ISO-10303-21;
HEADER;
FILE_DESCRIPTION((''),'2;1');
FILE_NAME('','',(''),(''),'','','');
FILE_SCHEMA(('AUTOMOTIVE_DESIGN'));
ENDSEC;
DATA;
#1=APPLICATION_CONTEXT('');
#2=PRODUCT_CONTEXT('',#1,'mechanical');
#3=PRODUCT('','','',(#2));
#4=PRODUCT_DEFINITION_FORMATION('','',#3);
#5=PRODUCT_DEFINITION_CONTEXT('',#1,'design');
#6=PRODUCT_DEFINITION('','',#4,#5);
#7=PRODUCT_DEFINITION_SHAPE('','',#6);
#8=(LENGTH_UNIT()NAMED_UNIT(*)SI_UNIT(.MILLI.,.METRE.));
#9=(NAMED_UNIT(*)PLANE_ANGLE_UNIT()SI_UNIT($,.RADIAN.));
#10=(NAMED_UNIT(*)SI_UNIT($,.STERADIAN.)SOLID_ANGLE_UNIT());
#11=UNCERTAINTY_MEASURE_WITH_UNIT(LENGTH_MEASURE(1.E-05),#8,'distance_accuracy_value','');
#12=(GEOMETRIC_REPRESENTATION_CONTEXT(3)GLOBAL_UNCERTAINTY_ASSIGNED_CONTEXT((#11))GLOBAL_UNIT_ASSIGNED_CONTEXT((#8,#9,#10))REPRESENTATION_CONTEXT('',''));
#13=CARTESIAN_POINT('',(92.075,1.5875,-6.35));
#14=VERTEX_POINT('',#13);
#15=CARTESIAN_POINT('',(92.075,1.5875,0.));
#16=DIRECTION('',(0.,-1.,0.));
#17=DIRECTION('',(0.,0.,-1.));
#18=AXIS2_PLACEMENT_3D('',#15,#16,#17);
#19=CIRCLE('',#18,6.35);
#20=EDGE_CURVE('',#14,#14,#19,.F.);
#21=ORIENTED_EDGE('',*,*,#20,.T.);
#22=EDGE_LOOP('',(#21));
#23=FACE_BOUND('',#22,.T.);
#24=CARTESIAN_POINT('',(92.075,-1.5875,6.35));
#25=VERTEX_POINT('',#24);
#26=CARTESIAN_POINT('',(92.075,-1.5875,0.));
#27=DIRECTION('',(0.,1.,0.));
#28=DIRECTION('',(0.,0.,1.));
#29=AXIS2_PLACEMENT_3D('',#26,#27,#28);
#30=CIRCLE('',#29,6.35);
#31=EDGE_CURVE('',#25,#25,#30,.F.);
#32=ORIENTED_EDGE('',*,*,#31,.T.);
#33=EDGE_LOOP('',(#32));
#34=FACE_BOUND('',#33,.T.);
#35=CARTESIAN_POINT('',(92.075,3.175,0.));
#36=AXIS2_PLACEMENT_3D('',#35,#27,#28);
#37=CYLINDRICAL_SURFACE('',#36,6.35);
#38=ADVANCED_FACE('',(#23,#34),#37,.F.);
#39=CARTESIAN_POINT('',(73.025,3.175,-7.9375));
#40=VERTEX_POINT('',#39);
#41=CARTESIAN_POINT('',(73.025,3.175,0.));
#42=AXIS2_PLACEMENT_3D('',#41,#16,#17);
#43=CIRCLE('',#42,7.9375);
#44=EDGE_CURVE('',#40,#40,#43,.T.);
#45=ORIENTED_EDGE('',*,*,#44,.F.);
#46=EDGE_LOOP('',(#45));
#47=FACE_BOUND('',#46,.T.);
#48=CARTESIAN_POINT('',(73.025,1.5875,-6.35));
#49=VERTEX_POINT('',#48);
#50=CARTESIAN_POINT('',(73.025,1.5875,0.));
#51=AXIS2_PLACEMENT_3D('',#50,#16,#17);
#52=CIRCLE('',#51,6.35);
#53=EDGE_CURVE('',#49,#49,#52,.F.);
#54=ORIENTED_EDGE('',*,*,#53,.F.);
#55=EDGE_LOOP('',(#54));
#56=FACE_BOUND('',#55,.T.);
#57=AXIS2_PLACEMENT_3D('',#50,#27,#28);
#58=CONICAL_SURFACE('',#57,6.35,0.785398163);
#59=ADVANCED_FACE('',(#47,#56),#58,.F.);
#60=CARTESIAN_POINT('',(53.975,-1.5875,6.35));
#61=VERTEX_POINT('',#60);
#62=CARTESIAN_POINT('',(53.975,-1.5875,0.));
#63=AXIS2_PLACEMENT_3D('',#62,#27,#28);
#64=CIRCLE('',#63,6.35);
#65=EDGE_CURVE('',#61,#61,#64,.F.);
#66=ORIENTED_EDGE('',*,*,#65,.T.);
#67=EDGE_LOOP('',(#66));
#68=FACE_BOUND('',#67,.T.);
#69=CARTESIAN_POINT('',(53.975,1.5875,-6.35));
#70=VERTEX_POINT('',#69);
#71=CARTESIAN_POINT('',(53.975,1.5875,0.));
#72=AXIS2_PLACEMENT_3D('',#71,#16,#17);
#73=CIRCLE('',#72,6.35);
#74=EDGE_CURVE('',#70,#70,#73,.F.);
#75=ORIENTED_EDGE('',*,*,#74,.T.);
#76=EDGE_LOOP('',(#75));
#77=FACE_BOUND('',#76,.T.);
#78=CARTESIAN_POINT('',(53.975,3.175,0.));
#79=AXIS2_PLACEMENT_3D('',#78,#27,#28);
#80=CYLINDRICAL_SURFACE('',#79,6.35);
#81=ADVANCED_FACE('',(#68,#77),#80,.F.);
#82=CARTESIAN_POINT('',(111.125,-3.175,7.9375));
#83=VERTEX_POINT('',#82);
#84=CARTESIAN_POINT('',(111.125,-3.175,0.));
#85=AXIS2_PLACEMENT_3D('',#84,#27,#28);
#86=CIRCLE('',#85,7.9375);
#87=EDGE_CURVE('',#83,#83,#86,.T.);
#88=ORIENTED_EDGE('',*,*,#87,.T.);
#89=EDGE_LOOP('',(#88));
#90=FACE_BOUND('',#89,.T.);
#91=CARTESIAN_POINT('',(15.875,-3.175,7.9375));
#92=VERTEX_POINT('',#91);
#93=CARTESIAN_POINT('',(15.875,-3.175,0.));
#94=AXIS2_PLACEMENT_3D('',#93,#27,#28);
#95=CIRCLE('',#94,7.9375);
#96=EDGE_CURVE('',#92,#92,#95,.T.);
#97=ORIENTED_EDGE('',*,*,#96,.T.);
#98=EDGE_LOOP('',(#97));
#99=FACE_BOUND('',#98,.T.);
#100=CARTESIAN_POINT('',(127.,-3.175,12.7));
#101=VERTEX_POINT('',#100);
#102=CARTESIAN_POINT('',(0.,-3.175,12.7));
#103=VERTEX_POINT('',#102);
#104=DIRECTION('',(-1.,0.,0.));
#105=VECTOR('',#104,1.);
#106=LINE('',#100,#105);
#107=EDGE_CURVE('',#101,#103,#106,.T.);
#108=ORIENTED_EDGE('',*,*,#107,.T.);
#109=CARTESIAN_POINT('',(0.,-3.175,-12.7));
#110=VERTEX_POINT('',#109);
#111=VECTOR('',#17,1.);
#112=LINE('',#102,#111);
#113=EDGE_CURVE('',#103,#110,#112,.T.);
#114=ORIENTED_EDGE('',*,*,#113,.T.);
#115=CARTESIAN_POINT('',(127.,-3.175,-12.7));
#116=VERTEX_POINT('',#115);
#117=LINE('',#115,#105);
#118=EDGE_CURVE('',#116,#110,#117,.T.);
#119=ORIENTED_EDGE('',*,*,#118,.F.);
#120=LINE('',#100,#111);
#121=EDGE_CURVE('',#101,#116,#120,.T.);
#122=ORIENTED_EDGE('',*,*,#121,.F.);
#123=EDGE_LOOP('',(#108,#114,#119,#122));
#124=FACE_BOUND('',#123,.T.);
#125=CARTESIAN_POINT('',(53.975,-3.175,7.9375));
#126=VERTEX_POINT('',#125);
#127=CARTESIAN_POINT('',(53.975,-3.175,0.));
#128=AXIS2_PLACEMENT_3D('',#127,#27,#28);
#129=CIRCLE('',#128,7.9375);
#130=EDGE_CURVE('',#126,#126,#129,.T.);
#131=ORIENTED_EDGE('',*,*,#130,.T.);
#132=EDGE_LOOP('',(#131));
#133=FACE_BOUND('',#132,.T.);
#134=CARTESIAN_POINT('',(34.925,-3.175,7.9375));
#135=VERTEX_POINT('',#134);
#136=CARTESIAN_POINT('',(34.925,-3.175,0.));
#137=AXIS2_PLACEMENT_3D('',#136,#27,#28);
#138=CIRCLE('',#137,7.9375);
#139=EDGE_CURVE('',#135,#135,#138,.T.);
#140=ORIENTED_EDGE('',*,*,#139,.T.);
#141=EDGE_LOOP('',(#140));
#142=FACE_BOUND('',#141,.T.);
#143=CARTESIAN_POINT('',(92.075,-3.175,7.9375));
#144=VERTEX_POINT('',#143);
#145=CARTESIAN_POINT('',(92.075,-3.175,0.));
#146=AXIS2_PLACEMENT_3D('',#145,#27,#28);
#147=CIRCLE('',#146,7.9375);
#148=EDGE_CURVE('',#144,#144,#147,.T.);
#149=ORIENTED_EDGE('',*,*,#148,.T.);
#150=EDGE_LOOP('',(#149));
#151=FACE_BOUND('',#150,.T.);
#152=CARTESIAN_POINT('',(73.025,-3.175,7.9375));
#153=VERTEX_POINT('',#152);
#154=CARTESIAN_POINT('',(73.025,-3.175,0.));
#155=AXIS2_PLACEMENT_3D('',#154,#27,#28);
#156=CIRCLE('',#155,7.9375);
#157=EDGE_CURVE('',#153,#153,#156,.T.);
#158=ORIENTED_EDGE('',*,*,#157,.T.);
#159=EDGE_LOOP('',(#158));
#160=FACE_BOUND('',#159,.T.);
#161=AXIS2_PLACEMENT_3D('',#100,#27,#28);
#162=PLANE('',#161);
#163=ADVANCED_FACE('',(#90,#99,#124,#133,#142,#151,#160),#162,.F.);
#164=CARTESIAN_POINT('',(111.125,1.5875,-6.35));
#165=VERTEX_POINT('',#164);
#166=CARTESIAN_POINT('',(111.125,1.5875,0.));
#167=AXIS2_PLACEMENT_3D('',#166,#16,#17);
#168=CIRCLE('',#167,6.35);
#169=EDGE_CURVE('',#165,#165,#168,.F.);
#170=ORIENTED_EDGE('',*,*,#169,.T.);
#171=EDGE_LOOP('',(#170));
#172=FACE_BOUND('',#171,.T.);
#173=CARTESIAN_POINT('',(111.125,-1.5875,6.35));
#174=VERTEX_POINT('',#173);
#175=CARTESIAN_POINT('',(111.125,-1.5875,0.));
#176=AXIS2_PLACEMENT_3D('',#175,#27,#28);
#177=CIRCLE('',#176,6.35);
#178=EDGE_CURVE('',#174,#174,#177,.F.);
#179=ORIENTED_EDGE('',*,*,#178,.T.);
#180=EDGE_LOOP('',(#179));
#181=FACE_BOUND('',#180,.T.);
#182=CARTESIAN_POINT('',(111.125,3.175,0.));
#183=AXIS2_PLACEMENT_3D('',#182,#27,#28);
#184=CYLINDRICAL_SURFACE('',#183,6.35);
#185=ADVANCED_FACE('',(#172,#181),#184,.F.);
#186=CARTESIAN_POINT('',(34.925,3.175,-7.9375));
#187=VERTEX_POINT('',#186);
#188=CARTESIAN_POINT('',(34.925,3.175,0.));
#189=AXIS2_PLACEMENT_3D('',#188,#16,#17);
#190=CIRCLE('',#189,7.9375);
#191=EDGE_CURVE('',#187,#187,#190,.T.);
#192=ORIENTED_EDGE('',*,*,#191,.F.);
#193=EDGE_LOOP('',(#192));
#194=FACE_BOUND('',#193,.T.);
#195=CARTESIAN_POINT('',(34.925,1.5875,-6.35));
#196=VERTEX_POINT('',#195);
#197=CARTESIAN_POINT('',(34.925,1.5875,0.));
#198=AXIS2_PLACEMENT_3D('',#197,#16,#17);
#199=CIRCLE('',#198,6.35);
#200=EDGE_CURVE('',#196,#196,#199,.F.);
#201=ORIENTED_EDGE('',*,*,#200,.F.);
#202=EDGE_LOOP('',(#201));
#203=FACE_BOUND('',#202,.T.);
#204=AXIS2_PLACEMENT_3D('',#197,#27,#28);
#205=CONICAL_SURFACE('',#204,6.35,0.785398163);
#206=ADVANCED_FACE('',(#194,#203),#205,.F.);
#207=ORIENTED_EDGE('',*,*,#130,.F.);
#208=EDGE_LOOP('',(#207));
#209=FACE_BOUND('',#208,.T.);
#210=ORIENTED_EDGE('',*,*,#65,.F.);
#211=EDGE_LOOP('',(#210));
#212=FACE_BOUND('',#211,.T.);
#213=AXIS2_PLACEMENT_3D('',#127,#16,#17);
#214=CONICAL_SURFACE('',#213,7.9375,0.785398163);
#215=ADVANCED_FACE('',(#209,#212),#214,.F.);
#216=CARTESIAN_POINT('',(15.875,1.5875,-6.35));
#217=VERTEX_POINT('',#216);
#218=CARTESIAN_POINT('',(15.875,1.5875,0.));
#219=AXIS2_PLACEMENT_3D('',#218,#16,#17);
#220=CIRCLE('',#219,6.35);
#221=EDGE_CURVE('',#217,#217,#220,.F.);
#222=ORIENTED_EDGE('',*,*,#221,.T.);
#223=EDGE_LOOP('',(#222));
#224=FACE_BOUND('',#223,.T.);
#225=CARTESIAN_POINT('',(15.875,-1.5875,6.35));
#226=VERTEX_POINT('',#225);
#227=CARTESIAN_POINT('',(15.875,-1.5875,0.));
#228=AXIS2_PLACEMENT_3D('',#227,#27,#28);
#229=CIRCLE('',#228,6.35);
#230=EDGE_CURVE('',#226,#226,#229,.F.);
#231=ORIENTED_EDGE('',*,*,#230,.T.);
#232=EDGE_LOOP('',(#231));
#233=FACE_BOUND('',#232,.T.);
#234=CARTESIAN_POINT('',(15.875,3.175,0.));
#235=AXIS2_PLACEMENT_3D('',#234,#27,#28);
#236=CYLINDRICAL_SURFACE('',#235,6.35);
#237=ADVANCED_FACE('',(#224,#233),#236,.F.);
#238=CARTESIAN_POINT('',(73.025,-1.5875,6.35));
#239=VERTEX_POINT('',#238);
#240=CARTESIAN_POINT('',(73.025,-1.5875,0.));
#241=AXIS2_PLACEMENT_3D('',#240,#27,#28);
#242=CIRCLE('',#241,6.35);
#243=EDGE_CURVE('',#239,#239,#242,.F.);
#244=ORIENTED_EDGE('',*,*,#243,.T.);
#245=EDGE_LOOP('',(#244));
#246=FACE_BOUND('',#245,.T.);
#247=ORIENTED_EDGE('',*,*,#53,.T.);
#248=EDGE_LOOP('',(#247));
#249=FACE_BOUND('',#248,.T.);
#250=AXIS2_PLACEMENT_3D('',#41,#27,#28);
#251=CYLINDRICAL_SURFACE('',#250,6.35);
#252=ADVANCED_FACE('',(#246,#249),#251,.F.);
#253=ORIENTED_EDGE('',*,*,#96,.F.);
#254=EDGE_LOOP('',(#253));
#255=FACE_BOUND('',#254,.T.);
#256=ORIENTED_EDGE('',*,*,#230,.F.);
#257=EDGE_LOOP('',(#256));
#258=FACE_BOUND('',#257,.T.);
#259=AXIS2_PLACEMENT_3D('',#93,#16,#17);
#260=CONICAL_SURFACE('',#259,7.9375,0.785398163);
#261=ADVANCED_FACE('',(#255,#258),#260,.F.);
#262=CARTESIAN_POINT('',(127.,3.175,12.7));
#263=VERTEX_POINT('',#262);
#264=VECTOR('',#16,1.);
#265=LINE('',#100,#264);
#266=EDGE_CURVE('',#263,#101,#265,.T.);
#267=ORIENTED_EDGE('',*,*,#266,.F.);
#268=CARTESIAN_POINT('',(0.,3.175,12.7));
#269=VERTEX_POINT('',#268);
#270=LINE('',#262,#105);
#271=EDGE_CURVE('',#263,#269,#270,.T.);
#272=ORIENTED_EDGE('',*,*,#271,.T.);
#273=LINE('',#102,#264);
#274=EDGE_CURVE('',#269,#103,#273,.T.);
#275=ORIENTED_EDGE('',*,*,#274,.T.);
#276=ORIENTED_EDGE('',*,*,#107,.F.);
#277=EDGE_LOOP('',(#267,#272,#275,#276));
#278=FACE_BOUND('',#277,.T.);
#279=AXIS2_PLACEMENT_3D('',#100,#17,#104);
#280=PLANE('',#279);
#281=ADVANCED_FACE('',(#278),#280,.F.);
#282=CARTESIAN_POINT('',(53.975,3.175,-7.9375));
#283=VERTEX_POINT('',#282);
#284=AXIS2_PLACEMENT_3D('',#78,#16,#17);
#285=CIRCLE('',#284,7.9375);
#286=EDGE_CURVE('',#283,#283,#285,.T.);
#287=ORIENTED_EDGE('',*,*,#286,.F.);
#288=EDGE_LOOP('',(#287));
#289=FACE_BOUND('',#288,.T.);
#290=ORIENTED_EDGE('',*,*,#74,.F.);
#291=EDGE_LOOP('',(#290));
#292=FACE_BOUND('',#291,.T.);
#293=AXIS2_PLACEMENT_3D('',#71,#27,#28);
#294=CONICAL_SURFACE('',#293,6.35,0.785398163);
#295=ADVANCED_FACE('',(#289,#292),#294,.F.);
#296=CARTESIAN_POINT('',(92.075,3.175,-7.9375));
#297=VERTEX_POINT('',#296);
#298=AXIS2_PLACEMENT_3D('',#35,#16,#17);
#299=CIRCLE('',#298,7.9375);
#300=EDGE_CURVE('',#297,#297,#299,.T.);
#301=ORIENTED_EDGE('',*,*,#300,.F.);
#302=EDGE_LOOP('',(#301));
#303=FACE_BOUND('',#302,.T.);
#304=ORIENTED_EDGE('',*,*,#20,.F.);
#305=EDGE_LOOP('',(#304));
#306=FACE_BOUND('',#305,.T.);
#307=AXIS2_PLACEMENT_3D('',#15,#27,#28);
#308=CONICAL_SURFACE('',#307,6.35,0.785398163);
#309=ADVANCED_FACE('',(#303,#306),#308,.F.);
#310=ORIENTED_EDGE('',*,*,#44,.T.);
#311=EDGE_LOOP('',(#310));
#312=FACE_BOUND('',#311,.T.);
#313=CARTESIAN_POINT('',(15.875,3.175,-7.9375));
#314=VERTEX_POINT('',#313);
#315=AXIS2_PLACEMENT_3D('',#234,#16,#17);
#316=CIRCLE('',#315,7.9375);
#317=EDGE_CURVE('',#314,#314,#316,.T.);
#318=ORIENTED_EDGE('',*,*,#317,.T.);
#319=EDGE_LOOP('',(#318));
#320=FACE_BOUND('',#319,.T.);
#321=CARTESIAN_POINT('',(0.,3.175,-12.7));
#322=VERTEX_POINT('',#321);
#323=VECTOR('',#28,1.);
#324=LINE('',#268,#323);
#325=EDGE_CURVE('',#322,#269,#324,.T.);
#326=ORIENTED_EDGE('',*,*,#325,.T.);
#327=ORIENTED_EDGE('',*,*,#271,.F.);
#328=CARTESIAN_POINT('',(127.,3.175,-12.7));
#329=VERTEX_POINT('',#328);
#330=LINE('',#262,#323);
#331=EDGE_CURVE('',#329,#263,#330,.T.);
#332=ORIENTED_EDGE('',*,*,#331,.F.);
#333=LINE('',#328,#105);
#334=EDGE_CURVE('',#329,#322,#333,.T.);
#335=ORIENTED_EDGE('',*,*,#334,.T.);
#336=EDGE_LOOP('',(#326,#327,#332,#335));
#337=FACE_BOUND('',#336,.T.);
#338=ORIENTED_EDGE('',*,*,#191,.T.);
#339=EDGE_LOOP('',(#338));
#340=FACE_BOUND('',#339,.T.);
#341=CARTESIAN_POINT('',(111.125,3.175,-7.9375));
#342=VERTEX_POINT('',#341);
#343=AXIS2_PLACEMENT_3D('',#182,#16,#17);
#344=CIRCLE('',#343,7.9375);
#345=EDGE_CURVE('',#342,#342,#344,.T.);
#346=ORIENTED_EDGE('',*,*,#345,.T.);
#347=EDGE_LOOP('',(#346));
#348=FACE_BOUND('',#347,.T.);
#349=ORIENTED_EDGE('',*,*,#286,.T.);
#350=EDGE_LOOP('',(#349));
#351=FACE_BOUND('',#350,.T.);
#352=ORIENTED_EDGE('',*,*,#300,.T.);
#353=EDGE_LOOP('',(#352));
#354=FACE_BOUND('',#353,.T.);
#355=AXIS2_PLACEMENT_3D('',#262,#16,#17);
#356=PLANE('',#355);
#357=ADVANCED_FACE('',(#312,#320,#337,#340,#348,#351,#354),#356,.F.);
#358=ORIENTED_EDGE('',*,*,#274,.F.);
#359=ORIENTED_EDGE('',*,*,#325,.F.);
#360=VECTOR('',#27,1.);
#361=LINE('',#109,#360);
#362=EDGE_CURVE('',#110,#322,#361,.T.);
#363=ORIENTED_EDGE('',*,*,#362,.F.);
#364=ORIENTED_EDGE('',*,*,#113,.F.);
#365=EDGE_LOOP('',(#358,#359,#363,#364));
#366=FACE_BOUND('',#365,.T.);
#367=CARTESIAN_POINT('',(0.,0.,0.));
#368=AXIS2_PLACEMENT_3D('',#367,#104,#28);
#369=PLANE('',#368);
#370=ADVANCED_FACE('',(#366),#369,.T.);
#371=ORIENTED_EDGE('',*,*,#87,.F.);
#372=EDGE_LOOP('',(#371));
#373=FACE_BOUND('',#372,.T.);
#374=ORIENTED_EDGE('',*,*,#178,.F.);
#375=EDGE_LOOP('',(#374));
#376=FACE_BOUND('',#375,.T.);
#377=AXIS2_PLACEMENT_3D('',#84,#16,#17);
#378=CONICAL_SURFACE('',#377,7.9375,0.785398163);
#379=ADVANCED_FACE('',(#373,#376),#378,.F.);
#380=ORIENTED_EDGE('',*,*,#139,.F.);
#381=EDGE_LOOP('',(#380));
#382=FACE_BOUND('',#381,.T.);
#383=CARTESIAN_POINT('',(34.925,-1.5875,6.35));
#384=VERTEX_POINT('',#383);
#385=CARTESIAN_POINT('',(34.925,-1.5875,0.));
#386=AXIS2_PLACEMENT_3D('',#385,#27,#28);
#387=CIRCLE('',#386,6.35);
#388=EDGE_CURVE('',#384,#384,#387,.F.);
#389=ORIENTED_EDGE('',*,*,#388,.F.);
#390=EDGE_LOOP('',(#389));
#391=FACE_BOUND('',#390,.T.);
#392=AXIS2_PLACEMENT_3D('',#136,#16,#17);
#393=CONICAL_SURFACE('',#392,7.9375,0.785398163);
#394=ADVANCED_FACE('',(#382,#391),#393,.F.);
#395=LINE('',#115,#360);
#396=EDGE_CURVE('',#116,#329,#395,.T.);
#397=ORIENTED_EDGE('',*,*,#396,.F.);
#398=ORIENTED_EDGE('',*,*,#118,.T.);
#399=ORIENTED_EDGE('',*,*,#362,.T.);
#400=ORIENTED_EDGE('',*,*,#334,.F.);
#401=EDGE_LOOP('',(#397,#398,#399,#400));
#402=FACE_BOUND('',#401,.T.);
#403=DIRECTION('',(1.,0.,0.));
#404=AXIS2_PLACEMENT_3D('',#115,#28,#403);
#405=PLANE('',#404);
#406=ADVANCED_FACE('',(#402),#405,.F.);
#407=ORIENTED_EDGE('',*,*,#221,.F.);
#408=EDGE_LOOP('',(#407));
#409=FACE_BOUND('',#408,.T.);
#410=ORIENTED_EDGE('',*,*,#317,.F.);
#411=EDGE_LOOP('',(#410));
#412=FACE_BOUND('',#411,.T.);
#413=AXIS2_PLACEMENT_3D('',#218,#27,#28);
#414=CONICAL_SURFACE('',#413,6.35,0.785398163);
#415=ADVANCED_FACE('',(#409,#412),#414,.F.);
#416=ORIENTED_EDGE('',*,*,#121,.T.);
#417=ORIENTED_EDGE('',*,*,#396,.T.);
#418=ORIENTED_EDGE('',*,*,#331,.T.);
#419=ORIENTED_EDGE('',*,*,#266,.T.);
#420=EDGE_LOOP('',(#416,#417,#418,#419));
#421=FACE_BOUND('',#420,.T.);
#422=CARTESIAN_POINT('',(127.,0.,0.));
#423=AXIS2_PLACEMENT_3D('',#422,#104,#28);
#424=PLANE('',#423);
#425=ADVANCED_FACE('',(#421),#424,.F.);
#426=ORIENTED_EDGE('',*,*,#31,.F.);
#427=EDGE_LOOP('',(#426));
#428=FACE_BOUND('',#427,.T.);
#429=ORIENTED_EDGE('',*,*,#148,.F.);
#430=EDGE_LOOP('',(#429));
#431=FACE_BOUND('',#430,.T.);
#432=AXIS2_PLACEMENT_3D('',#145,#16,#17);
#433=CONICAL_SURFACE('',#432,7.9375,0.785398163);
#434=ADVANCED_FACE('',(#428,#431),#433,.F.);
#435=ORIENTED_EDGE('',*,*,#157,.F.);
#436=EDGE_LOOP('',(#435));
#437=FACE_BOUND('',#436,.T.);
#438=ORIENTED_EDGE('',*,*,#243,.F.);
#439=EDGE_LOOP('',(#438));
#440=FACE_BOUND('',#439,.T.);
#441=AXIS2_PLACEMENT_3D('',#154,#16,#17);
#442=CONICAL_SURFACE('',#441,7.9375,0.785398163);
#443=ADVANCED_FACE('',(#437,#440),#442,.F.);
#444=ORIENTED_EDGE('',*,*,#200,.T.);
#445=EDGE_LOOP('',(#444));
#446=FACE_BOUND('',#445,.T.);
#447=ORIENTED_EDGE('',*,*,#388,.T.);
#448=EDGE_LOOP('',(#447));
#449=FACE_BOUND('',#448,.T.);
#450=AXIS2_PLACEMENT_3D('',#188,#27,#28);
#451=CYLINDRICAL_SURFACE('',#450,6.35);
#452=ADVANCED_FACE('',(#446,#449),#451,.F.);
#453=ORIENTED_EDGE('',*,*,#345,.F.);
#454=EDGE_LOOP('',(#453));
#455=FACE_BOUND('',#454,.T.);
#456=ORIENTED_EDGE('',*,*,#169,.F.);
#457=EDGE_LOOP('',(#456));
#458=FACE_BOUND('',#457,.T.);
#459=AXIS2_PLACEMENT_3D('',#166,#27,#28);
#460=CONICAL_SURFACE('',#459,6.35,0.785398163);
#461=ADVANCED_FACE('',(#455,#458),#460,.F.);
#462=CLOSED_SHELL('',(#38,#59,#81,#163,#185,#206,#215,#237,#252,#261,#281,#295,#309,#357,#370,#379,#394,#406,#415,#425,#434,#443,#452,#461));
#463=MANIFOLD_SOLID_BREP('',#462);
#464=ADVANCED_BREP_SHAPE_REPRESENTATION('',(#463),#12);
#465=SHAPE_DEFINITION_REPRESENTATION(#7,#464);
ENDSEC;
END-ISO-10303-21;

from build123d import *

# Parameters (mm, degrees)
CROQUIS2_W                = 25.4
CROQUIS2_H                = 6.35
SALIENTE_EXTRUIR1_DEPTH   = 127
TALADRO1_D                = 12.7
CHAFL_N1_SIZE             = 1.5875
MATRIZL1_COUNT            = 6
MATRIZL1_PITCH            = 19.05
CHAFL_N1_OF_MATRIZL1_SIZE = 1.5875


with BuildPart() as part:
    # Croquis2 → Saliente-Extruir1 (new body)
    with BuildSketch(Plane(origin=(0, 0, 0), x_dir=(0, 0, -1), z_dir=(1, 0, 0))):
        Rectangle(CROQUIS2_W, CROQUIS2_H)
    extrude(amount=SALIENTE_EXTRUIR1_DEPTH)

    # Taladro1 (through all)
    with Locations(Plane(origin=(0, 3.175, 0), x_dir=(1, 0, 0), z_dir=(0, 1, 0))):
        with Locations((15.875, 0)):
            taladro1 = Hole(TALADRO1_D / 2)

    # Chaflán1
    chafl_n1_edges = [part.edges().sort_by_distance(p)[0] for p in [
        (22.225, 3.175, 0),
        (22.225, -3.175, 0),
    ]]
    chamfer(chafl_n1_edges, length=CHAFL_N1_SIZE)

    # MatrizL1: Taladro1 ×6
    with Locations(*[(i * MATRIZL1_PITCH, 0, 0) for i in range(1, MATRIZL1_COUNT)]):
        add(taladro1, mode=Mode.SUBTRACT)

    # Chaflán1 of MatrizL1
    chafl_n1_of_matrizl1_edges = [part.edges().sort_by_distance(p)[0] for p in [
        (41.275, 3.175, 0),
        (41.275, -3.175, 0),
        (60.325, 3.175, 0),
        (60.325, -3.175, 0),
        (79.375, 3.175, 0),
        (79.375, -3.175, 0),
        (98.425, 3.175, 0),
        (98.425, -3.175, 0),
        (117.475, 3.175, 0),
        (117.475, -3.175, 0),
    ]]
    chamfer(chafl_n1_of_matrizl1_edges, length=CHAFL_N1_OF_MATRIZL1_SIZE)


solid = part.part
